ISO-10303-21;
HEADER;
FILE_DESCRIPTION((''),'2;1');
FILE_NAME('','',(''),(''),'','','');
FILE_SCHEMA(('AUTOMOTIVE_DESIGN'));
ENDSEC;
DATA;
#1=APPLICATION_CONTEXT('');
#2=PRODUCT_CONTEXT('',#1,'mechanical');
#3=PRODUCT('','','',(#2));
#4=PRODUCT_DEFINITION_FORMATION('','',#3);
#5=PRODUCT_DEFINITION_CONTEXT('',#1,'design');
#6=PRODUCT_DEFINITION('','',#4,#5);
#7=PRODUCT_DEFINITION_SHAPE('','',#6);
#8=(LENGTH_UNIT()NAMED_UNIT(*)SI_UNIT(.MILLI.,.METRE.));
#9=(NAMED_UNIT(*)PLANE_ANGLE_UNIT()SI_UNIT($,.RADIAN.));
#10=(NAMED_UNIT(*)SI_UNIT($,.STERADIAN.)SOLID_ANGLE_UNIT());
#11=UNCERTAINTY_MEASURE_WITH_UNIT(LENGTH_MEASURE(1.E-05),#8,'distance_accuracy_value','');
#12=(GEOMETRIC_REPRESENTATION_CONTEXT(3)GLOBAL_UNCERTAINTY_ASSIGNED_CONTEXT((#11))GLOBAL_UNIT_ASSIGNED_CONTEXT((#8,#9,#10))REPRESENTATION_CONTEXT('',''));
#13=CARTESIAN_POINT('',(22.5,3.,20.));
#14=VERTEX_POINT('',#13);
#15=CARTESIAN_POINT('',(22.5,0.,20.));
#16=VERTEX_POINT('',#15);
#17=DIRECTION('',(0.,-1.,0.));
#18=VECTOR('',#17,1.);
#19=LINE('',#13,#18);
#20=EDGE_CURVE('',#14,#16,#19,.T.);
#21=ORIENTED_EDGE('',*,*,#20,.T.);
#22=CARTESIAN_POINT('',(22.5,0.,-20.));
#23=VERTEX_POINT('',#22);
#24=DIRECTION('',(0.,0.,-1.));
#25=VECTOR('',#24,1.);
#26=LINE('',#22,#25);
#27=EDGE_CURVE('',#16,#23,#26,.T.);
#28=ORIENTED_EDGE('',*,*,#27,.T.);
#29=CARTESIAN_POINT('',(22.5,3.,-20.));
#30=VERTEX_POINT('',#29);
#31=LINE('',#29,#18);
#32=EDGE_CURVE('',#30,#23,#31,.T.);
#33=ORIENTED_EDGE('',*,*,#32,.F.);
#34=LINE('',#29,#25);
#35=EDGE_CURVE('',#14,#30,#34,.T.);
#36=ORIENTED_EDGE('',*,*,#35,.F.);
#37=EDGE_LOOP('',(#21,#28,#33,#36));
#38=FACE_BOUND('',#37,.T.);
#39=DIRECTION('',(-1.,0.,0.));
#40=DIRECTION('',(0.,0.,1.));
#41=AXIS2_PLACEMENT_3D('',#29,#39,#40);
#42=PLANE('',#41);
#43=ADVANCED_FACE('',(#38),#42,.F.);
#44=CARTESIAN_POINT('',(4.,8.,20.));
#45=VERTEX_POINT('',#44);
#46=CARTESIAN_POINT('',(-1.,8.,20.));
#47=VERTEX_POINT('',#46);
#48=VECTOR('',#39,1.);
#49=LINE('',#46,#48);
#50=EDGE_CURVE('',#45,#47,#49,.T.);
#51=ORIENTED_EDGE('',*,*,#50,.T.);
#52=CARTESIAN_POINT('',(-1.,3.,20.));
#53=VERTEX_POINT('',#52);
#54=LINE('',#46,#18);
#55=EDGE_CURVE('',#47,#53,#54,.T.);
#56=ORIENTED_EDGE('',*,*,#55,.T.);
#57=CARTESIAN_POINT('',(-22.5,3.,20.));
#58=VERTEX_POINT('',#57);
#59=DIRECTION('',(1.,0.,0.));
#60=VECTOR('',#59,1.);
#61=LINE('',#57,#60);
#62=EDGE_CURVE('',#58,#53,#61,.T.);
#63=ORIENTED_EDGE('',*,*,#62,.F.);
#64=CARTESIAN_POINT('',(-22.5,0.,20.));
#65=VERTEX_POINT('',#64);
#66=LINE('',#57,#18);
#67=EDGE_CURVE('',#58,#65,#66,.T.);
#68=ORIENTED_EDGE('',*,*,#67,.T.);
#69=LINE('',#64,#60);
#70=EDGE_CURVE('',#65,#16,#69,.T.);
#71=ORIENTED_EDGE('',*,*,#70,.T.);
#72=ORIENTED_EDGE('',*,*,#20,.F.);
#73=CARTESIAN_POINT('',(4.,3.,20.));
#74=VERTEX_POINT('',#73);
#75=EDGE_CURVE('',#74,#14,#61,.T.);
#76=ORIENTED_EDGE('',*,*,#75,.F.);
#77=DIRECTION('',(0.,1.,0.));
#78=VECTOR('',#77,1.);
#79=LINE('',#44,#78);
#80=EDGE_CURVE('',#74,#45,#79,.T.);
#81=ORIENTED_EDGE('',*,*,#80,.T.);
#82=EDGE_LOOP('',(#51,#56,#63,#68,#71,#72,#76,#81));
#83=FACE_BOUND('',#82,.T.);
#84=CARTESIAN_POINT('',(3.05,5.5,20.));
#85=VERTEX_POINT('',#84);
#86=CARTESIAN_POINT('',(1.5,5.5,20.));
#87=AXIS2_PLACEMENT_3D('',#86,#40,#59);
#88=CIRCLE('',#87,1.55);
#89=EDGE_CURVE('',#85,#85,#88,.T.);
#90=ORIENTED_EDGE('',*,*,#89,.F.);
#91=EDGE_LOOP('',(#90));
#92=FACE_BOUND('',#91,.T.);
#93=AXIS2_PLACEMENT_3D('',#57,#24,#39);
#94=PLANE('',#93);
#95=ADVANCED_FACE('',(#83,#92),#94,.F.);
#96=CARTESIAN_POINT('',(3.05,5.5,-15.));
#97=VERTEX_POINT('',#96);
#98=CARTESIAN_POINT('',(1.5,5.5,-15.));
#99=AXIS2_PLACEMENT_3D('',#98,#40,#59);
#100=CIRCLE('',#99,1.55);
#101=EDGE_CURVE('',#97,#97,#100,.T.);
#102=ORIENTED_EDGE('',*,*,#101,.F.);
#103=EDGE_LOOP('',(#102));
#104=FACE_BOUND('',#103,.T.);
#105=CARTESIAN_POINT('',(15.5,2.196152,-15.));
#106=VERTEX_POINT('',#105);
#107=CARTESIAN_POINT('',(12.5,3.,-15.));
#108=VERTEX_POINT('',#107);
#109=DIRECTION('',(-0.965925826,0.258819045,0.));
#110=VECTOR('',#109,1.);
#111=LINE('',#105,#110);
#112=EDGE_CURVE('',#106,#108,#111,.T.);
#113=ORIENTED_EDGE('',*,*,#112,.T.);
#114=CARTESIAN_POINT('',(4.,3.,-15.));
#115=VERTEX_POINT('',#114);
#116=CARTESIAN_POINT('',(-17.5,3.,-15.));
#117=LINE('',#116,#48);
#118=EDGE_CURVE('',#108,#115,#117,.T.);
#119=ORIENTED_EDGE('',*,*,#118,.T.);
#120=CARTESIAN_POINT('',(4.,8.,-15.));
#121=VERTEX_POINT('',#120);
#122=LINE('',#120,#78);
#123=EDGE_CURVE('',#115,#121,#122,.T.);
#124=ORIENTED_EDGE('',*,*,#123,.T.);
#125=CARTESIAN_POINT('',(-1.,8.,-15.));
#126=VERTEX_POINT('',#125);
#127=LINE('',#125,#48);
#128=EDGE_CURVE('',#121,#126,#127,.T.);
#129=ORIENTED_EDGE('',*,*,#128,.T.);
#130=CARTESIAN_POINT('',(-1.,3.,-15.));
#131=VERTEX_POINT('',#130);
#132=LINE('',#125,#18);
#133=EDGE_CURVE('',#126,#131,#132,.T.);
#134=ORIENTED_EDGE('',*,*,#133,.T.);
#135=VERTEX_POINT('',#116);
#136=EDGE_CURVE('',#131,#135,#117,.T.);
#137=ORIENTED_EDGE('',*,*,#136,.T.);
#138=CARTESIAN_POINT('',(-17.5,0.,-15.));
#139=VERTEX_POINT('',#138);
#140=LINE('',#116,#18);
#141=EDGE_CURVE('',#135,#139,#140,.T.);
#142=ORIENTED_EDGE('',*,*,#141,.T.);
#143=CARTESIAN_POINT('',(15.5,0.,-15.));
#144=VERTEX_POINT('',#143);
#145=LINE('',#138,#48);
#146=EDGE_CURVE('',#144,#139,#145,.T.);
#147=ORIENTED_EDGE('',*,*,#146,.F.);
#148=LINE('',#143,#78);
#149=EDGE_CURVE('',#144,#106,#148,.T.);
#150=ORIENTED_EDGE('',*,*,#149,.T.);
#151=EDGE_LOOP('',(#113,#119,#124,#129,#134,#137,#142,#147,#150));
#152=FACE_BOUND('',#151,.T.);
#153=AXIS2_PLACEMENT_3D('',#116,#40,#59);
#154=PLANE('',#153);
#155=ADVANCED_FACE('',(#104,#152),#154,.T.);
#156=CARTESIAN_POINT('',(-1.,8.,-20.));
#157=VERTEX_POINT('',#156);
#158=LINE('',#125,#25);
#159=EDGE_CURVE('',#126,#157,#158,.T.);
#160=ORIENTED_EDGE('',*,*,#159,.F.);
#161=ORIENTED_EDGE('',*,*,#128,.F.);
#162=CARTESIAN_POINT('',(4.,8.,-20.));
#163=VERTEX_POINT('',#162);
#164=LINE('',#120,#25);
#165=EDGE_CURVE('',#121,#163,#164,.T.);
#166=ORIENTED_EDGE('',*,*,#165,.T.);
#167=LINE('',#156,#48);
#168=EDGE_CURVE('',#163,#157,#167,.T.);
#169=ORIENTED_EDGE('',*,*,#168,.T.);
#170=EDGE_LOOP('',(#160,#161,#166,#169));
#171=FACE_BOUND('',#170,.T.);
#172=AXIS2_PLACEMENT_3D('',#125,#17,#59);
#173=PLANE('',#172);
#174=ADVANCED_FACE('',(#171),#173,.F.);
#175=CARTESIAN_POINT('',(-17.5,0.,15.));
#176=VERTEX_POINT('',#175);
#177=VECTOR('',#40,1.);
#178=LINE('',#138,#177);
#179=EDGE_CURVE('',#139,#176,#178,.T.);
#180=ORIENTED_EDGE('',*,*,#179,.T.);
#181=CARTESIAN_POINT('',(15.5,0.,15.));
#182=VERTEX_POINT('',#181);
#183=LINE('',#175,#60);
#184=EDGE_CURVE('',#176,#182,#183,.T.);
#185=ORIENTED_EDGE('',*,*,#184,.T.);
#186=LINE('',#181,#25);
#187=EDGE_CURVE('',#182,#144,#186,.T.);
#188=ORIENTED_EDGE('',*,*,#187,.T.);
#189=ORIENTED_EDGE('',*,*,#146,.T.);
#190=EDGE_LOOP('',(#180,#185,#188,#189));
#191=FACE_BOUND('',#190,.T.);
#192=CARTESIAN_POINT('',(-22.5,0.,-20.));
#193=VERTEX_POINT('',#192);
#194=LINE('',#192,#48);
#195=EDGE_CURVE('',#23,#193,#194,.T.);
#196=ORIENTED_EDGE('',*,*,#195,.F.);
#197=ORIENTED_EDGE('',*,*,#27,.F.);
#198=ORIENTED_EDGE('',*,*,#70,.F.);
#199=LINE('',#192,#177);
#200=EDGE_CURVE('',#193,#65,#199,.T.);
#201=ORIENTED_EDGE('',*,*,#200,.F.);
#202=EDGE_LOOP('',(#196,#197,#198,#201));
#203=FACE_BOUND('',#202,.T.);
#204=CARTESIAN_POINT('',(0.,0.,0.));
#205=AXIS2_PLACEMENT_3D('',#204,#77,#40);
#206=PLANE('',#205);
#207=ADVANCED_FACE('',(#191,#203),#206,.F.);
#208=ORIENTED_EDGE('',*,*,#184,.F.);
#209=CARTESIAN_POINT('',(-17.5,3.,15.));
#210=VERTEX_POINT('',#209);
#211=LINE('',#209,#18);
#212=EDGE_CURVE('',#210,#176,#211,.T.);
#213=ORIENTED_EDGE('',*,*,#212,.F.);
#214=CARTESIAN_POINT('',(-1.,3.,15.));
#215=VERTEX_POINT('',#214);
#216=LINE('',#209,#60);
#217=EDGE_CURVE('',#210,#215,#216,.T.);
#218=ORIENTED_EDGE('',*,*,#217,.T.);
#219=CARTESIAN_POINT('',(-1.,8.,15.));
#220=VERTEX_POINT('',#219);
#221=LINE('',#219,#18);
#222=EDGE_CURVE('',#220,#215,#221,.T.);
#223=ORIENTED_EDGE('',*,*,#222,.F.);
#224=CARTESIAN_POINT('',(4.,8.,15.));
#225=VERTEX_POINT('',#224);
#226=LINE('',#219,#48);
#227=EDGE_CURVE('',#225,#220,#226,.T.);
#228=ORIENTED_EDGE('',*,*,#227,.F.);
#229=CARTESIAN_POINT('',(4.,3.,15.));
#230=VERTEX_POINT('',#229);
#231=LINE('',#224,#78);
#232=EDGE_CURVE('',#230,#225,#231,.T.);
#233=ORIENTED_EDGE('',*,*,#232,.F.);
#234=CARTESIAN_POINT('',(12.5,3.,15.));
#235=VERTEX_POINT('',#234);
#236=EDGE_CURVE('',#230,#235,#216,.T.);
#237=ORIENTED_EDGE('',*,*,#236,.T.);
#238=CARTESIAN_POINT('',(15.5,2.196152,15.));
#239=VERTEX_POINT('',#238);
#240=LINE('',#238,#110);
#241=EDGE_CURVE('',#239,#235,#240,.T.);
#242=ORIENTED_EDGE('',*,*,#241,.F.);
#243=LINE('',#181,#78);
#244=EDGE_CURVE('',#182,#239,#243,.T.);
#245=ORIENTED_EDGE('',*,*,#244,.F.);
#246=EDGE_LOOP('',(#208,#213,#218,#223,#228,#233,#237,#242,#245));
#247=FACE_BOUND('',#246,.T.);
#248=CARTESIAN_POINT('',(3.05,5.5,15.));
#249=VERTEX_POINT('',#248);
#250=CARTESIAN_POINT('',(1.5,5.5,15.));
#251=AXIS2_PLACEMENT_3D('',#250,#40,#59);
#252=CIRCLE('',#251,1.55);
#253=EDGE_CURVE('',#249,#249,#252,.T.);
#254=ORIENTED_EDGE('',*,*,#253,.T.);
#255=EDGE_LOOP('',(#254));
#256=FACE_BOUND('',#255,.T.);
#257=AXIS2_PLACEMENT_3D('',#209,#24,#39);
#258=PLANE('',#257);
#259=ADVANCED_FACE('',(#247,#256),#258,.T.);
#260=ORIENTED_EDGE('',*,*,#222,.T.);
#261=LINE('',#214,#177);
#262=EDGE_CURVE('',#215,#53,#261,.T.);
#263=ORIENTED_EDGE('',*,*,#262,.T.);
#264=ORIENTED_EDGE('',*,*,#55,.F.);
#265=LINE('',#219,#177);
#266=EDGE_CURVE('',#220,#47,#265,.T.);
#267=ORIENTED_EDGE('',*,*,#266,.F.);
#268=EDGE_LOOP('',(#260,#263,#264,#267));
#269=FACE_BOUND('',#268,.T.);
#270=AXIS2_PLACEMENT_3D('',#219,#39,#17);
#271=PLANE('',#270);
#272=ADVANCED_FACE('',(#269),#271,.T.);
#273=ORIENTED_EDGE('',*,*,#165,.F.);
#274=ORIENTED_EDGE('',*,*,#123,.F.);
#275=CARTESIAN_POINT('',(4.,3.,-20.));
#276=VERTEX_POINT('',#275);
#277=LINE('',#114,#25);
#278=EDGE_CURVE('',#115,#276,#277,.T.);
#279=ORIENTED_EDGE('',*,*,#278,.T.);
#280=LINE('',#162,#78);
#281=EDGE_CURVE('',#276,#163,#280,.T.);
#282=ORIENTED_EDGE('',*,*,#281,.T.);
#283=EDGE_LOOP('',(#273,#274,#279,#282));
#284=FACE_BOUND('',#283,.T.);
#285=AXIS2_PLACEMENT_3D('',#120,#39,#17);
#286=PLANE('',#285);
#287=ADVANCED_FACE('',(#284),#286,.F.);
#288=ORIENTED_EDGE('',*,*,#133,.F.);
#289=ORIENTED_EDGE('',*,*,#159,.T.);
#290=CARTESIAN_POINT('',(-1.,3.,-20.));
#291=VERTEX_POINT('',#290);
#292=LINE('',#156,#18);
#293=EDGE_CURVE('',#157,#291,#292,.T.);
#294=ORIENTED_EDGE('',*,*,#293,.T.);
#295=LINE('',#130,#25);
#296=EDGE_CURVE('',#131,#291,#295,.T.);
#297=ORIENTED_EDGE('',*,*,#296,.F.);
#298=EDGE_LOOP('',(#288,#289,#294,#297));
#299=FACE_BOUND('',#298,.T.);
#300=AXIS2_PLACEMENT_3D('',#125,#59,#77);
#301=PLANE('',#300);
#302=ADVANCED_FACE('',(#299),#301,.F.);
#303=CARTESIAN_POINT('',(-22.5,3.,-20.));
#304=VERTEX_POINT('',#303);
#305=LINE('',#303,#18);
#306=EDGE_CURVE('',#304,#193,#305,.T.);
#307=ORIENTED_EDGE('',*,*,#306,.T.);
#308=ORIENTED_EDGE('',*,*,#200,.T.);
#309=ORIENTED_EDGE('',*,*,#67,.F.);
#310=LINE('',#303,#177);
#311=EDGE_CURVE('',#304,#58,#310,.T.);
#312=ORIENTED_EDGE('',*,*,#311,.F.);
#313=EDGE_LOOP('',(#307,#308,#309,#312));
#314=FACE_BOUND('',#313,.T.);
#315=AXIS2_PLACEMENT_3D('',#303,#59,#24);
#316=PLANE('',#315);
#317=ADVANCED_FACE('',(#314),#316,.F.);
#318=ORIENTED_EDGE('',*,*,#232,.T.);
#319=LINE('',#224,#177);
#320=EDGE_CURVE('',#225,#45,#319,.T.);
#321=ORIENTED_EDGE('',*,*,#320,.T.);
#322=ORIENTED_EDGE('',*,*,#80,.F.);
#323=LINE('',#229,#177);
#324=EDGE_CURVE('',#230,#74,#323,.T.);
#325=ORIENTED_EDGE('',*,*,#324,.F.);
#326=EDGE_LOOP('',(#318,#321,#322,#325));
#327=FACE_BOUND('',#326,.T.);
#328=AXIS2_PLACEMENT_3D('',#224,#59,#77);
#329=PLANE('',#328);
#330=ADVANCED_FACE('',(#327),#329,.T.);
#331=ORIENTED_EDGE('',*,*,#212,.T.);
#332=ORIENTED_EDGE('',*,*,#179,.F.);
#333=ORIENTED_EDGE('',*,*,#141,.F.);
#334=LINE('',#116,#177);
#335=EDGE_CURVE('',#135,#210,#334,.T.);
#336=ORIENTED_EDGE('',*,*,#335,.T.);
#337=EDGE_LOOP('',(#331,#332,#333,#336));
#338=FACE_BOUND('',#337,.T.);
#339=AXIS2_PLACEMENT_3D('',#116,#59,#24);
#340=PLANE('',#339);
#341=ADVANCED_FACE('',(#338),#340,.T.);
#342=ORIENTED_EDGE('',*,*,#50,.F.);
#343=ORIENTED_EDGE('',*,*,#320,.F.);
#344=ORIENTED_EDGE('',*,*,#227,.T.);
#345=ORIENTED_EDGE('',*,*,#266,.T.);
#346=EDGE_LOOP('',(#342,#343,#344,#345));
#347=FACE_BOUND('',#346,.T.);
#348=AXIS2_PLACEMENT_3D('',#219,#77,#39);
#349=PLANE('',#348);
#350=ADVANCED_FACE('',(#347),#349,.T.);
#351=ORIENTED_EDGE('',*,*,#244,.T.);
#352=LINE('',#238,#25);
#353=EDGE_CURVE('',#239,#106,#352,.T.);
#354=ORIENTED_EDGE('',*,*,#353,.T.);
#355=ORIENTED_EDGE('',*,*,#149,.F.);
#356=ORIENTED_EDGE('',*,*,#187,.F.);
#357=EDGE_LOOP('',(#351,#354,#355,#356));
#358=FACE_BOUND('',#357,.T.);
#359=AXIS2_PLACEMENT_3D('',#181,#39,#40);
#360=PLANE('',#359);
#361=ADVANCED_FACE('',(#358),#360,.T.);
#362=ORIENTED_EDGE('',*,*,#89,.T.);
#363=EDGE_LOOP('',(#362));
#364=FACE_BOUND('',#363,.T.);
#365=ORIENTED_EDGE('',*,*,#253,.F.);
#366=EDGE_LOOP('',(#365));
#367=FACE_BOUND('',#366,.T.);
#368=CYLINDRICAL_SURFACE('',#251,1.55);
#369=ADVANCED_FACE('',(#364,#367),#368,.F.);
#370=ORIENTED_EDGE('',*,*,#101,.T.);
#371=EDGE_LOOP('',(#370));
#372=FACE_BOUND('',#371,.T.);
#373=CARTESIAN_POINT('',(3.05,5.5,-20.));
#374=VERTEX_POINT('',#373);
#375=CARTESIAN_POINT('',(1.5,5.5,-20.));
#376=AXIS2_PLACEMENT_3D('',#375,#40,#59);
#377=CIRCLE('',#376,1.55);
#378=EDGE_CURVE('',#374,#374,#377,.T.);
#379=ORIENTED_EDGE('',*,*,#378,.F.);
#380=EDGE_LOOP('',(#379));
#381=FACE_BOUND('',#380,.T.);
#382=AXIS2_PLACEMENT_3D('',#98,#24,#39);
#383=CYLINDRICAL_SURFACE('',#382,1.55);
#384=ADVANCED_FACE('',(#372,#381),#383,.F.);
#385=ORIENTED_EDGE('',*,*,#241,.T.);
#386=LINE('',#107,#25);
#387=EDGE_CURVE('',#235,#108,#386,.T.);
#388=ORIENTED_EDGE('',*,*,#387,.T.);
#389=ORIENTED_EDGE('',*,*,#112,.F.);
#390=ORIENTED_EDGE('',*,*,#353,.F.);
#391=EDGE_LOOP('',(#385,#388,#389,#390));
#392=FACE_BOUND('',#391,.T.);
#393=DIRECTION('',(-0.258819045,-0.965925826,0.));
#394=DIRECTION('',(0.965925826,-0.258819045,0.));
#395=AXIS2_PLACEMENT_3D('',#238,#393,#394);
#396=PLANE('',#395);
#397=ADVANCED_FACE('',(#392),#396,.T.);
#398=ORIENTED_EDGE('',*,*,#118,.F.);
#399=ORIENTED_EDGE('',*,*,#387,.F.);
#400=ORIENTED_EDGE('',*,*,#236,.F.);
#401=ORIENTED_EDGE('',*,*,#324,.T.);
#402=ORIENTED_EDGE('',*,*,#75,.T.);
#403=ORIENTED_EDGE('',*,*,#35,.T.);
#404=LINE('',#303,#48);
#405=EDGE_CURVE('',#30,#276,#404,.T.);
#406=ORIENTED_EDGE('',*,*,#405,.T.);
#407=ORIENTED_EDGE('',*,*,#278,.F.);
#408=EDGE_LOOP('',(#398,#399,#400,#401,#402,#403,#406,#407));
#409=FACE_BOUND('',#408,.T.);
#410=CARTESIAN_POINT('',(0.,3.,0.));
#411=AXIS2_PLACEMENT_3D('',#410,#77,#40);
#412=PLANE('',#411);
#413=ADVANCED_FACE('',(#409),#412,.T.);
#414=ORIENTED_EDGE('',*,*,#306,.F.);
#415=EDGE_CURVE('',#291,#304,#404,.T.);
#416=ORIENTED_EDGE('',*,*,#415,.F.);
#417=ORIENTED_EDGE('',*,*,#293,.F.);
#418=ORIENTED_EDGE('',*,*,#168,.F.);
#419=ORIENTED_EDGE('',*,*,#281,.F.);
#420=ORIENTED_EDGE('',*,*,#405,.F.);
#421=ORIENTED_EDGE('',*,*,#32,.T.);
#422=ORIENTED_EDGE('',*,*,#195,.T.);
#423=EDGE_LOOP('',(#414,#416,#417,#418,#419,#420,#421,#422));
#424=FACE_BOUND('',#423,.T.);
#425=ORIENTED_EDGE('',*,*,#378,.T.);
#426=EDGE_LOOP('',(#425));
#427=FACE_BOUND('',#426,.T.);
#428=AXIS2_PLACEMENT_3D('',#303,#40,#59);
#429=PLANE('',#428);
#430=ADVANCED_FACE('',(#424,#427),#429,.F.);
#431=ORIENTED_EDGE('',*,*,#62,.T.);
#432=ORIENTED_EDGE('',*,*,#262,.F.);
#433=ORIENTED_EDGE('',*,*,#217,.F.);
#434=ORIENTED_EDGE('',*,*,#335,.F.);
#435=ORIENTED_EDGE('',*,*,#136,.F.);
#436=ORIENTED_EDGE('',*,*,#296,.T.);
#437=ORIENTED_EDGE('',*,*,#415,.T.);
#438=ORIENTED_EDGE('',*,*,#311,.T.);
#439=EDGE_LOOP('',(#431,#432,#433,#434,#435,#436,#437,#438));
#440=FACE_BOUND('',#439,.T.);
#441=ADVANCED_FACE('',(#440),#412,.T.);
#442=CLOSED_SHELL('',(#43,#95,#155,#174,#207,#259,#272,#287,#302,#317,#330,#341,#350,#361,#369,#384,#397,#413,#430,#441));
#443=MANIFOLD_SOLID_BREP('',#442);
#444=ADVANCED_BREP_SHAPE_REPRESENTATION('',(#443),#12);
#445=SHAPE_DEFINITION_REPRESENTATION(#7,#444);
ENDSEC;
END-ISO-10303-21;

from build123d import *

# Parameters (mm, degrees)
SKETCH_1_W          = 45
SKETCH_1_H          = 40
SKETCH_1_W_2        = 30
SKETCH_1_H_2        = 30
EXTRUDE_2_DEPTH     = 3
CUT_EXTRUDE_2_DEPTH = 30
SKETCH_3_W          = 5
SKETCH_3_H          = 5
SKETCH_3_R          = 1.55
EXTRUDE_3_DEPTH     = 5


with BuildPart() as part:
    # 草图1 → 凸台-拉伸2 (new body)
    with BuildSketch(Plane(origin=(0, 0, 0), x_dir=(1, 0, 0), z_dir=(0, 1, 0))):
        Rectangle(SKETCH_1_W, SKETCH_1_H)
        with Locations((-2.5, 0)):
            Rectangle(SKETCH_1_W_2, SKETCH_1_H_2, mode=Mode.SUBTRACT)
    extrude(amount=EXTRUDE_2_DEPTH)

    # 草图2 → 切除-拉伸2 (cut)
    with BuildSketch(Plane.XY.offset(-15)):
        Polygon((12.5, 0), (15.5, 0), (15.5, 2.196152423), (12.5, 3), align=None)
    extrude(amount=CUT_EXTRUDE_2_DEPTH, mode=Mode.SUBTRACT)

    # 草图3 → 凸台-拉伸3 (add)
    with BuildSketch(Plane.XY.offset(20)):
        with Locations((1.5, 5.5)):
            Rectangle(SKETCH_3_W, SKETCH_3_H)
        with Locations((1.5, 5.5)):
            Circle(SKETCH_3_R, mode=Mode.SUBTRACT)
    extrude_3 = extrude(amount=-EXTRUDE_3_DEPTH)

    # 镜向2: 凸台-拉伸3 across plane
    add(extrude_3.mirror(Plane(origin=(0, 0, 0), x_dir=(1, 0, 0), z_dir=(0, 0, -1))))


solid = part.part
